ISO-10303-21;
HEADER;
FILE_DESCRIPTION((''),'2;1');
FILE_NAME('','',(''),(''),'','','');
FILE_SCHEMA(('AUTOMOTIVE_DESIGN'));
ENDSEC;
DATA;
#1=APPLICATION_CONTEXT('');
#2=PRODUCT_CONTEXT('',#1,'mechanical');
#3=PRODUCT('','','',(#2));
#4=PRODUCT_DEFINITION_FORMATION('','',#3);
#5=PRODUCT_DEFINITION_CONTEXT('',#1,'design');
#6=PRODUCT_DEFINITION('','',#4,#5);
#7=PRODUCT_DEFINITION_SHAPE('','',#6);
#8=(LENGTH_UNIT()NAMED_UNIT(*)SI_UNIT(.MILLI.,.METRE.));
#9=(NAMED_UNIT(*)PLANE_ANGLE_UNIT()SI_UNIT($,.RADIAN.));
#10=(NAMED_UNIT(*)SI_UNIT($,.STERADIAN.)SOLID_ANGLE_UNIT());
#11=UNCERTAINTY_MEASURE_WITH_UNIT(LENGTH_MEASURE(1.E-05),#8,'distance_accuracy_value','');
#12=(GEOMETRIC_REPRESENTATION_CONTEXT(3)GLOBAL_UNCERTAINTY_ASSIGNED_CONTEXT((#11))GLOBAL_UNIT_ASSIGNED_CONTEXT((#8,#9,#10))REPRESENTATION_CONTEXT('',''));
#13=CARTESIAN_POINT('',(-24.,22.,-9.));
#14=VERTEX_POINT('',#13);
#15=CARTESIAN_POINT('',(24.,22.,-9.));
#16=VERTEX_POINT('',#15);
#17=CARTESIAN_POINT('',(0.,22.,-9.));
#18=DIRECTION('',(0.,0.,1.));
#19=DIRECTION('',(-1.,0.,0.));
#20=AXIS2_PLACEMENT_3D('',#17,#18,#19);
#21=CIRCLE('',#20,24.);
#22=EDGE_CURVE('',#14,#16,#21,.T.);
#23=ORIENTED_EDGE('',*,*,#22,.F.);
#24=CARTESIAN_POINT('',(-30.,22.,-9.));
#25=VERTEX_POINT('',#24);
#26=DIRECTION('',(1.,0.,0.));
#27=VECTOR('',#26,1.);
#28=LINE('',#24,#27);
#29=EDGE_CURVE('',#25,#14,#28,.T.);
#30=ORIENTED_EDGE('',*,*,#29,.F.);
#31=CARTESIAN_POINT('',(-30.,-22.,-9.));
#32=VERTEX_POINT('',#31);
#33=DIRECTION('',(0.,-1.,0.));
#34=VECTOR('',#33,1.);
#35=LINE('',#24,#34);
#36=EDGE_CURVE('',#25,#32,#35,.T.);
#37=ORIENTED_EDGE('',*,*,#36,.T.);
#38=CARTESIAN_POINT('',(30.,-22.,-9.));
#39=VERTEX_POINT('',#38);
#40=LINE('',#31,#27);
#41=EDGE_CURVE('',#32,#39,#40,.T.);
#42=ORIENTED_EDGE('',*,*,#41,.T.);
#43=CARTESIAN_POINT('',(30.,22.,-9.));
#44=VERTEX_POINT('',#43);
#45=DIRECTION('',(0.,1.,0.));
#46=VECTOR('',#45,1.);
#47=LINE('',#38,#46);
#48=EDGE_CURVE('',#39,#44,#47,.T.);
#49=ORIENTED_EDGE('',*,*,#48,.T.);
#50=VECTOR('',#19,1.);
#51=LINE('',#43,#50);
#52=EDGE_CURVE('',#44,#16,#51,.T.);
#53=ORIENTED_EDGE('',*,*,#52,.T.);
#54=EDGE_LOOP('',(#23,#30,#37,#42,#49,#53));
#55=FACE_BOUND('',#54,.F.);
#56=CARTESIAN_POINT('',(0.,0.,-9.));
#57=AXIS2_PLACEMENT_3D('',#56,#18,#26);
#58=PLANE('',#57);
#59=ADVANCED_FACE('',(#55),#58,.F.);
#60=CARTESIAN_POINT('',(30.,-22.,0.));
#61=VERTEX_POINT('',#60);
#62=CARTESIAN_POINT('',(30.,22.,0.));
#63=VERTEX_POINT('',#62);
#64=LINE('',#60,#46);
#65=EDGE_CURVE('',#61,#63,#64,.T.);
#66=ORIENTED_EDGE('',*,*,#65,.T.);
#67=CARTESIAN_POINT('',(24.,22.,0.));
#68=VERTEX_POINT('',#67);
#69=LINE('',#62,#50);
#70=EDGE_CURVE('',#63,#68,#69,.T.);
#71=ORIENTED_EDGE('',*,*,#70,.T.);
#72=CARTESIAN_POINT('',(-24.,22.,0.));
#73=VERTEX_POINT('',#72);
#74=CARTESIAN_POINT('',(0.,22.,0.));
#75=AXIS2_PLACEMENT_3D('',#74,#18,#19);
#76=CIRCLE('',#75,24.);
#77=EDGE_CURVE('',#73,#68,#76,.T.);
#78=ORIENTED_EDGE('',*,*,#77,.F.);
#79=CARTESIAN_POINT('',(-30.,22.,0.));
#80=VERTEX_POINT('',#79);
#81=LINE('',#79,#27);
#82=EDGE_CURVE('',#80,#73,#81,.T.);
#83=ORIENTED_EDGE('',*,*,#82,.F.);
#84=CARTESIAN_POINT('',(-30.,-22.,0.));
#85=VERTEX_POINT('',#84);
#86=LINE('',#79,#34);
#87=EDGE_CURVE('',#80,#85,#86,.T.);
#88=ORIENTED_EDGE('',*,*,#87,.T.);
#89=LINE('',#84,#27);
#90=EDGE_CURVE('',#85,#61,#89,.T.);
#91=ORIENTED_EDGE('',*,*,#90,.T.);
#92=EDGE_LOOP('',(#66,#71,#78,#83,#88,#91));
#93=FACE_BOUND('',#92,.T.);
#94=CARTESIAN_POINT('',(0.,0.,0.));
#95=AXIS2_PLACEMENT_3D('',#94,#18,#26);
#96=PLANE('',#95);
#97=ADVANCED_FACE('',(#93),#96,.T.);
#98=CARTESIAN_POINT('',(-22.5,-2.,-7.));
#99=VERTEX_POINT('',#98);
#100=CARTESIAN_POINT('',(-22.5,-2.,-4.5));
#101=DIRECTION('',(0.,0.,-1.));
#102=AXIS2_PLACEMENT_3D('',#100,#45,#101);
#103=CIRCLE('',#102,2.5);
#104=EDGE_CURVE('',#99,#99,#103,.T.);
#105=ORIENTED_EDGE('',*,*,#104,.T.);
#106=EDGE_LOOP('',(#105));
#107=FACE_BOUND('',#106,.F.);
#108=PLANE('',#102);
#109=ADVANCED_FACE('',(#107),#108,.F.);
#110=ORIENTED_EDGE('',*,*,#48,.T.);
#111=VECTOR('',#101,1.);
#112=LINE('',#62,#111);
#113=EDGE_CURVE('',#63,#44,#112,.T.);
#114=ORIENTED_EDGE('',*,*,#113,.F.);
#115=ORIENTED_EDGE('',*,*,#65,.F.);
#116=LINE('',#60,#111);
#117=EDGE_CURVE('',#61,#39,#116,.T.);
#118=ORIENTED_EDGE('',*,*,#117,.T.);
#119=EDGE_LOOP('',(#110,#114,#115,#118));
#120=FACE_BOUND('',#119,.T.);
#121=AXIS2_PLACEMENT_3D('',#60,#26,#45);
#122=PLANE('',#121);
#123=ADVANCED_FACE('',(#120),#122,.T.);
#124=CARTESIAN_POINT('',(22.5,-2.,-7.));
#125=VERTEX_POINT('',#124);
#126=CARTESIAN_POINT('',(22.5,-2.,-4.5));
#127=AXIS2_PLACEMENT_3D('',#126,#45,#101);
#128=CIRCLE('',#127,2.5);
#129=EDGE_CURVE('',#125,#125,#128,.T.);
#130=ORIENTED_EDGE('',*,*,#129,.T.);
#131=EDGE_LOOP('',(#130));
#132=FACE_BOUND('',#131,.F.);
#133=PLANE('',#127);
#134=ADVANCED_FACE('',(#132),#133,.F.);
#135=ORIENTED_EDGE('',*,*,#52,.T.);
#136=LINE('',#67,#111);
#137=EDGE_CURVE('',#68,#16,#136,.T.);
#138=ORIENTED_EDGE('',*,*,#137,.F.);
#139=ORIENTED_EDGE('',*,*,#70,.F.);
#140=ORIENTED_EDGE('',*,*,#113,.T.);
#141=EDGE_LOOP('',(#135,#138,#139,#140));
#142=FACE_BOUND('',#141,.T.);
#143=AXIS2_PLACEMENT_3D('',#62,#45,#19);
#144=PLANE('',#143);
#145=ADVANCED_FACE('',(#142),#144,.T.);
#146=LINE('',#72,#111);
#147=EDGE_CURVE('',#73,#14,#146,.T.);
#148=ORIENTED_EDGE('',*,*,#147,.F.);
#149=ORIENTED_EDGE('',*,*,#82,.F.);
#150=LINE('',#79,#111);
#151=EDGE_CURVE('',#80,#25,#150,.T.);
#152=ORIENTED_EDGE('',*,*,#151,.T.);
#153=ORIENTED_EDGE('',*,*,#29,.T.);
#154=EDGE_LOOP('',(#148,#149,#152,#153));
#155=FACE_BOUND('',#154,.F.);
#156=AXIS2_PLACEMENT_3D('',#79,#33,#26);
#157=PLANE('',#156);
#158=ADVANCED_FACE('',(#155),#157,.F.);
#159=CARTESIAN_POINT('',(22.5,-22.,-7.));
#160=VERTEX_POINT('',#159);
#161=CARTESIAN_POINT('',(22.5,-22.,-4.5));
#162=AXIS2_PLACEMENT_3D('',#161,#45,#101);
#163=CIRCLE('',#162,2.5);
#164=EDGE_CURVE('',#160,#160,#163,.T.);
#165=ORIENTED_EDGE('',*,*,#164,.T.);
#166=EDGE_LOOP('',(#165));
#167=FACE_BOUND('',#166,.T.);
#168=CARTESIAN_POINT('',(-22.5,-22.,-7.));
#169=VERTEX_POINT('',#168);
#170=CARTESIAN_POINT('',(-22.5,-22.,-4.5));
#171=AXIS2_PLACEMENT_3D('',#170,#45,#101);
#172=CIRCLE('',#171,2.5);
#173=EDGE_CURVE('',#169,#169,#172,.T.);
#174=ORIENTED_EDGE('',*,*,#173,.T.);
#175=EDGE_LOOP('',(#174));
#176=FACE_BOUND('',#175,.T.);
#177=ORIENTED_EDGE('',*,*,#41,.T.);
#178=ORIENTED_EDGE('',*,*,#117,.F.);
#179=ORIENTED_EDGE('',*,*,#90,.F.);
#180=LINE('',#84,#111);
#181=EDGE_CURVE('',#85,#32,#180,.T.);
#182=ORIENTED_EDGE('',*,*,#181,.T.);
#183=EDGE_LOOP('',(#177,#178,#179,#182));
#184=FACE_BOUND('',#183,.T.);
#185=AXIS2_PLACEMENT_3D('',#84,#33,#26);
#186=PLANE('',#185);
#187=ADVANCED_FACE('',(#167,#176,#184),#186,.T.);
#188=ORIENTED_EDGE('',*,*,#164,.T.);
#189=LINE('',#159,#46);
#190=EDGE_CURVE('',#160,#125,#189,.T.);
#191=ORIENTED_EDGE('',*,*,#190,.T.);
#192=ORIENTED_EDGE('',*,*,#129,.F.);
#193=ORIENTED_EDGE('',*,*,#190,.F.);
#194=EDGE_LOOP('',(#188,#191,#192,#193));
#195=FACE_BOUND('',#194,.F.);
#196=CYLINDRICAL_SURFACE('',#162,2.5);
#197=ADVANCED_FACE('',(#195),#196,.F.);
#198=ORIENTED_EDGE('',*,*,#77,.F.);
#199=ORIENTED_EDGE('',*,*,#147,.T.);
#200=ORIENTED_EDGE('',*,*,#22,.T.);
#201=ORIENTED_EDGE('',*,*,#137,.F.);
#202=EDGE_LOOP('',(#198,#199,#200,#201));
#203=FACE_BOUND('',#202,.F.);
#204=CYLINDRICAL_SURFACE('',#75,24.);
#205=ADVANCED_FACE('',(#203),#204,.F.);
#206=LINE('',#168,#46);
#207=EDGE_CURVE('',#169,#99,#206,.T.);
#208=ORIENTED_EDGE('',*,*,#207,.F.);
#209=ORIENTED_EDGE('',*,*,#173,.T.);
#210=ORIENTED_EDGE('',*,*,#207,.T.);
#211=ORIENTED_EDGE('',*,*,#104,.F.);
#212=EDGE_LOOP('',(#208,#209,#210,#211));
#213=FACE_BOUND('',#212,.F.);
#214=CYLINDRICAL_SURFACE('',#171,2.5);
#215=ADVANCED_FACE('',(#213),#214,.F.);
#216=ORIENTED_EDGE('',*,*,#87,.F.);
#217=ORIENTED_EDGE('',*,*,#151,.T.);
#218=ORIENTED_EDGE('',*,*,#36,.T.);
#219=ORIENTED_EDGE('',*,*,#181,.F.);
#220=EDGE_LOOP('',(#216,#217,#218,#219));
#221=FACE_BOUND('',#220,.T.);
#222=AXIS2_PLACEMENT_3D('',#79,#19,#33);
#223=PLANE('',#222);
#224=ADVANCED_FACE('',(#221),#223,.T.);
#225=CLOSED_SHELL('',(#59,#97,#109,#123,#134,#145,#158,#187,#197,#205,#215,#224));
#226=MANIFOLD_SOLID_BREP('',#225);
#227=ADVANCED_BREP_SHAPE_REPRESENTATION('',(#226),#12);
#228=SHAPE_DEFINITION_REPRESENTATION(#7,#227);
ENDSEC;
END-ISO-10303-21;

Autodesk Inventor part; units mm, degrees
ref_plane "YZ Plane" through (0, 0, 0) normal (1, 0, 0) x (0, 1, 0)
ref_plane "XZ Plane" through (0, 0, 0) normal (0, 1, 0) x (-1, 0, 0)
ref_plane "XY Plane" through (0, 0, 0) normal (0, 0, 1) x (1, 0, 0)
sketch "Boceto3" plane through (0, 0, 0) normal (0, 0, 1) x (1, 0, 0)
  line L0 (-30, 22) -> (-30, -22)
  line L1 (-30, -22) -> (30, -22)
  line L2 (30, -22) -> (30, 22)
  line L3 (30, 22) -> (24, 22)
  line L4 (-30, 22) -> (-24, 22)
  arc A0 (-24, 22) -> (24, 22) centre (0, 22) ccw
  point P0 (0, 0)
  point P1 (0, -22)
  point P2 (30, 0)
  dimension "d14" = 44
  dimension "d16" = 60
  dimension "d17" = 44
  dimension "d18" = 6
  dimension "d19" = 6
  dimension "d20" = 90
  dimension "d21" = 48
extrude "Extrusión1" add sketch "Boceto3" against normal blind 9
sketch "Boceto4" plane through (-30, -22, 0) normal (0, -1, 0) x (1, 0, 0)
  line L0 (0, 0) -> (60, 0) projected
  line L1 (0, 0) -> (0, -9) projected
  line L2 (60, -9) -> (0, -9) projected
  line L3 (60, 0) -> (60, -9) projected
  line L4 (60, 0) -> (60, -9) projected
  point P0 (30, 0)
  point P1 (52.5, -4.5)
  point P2 (7.5, -4.5)
  dimension "d26" = 7.5
  dimension "d27" = 4.5
  dimension "d28" = 7.5
  dimension "d29" = 4.5
hole "Agujero1" at (22.5, -22, -4.5) at (-22.5, -22, -4.5) direction (0, 1, 0) diameter 5 depth 20
properties part number "Soporte para Cañón" material "Abedul"
